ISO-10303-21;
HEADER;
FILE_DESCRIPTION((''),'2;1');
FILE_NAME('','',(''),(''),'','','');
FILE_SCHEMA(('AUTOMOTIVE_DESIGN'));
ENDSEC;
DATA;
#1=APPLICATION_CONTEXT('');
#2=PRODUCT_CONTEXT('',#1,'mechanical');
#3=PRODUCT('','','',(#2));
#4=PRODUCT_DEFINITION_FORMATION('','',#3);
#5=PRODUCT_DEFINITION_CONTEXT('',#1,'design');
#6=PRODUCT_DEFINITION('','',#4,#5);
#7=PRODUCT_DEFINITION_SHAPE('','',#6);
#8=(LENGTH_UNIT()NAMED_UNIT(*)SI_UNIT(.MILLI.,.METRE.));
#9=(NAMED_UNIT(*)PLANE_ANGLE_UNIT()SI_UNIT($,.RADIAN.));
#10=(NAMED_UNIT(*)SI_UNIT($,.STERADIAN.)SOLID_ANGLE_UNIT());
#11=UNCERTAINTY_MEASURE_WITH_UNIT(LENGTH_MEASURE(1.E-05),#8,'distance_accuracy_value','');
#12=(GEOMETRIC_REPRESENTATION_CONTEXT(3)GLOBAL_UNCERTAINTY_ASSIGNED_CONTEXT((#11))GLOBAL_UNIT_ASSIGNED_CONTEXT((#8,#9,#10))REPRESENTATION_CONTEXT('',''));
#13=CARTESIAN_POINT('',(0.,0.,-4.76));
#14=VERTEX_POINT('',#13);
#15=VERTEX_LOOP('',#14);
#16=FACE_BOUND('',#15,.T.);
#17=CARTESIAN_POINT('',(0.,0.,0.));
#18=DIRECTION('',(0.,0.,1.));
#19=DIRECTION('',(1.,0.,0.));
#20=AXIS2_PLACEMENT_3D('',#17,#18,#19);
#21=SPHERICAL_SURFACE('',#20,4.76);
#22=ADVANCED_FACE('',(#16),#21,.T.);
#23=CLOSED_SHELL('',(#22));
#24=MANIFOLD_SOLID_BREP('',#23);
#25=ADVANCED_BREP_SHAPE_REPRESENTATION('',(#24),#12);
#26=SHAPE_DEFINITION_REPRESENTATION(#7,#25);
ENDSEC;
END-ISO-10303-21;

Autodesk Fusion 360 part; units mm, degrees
sphere "SpherePrimitive1" add diameter 9.52 placed x (1, 0, 0) y (0, 1, 0) z (0, 0, 1) at (0, 0, 0)
